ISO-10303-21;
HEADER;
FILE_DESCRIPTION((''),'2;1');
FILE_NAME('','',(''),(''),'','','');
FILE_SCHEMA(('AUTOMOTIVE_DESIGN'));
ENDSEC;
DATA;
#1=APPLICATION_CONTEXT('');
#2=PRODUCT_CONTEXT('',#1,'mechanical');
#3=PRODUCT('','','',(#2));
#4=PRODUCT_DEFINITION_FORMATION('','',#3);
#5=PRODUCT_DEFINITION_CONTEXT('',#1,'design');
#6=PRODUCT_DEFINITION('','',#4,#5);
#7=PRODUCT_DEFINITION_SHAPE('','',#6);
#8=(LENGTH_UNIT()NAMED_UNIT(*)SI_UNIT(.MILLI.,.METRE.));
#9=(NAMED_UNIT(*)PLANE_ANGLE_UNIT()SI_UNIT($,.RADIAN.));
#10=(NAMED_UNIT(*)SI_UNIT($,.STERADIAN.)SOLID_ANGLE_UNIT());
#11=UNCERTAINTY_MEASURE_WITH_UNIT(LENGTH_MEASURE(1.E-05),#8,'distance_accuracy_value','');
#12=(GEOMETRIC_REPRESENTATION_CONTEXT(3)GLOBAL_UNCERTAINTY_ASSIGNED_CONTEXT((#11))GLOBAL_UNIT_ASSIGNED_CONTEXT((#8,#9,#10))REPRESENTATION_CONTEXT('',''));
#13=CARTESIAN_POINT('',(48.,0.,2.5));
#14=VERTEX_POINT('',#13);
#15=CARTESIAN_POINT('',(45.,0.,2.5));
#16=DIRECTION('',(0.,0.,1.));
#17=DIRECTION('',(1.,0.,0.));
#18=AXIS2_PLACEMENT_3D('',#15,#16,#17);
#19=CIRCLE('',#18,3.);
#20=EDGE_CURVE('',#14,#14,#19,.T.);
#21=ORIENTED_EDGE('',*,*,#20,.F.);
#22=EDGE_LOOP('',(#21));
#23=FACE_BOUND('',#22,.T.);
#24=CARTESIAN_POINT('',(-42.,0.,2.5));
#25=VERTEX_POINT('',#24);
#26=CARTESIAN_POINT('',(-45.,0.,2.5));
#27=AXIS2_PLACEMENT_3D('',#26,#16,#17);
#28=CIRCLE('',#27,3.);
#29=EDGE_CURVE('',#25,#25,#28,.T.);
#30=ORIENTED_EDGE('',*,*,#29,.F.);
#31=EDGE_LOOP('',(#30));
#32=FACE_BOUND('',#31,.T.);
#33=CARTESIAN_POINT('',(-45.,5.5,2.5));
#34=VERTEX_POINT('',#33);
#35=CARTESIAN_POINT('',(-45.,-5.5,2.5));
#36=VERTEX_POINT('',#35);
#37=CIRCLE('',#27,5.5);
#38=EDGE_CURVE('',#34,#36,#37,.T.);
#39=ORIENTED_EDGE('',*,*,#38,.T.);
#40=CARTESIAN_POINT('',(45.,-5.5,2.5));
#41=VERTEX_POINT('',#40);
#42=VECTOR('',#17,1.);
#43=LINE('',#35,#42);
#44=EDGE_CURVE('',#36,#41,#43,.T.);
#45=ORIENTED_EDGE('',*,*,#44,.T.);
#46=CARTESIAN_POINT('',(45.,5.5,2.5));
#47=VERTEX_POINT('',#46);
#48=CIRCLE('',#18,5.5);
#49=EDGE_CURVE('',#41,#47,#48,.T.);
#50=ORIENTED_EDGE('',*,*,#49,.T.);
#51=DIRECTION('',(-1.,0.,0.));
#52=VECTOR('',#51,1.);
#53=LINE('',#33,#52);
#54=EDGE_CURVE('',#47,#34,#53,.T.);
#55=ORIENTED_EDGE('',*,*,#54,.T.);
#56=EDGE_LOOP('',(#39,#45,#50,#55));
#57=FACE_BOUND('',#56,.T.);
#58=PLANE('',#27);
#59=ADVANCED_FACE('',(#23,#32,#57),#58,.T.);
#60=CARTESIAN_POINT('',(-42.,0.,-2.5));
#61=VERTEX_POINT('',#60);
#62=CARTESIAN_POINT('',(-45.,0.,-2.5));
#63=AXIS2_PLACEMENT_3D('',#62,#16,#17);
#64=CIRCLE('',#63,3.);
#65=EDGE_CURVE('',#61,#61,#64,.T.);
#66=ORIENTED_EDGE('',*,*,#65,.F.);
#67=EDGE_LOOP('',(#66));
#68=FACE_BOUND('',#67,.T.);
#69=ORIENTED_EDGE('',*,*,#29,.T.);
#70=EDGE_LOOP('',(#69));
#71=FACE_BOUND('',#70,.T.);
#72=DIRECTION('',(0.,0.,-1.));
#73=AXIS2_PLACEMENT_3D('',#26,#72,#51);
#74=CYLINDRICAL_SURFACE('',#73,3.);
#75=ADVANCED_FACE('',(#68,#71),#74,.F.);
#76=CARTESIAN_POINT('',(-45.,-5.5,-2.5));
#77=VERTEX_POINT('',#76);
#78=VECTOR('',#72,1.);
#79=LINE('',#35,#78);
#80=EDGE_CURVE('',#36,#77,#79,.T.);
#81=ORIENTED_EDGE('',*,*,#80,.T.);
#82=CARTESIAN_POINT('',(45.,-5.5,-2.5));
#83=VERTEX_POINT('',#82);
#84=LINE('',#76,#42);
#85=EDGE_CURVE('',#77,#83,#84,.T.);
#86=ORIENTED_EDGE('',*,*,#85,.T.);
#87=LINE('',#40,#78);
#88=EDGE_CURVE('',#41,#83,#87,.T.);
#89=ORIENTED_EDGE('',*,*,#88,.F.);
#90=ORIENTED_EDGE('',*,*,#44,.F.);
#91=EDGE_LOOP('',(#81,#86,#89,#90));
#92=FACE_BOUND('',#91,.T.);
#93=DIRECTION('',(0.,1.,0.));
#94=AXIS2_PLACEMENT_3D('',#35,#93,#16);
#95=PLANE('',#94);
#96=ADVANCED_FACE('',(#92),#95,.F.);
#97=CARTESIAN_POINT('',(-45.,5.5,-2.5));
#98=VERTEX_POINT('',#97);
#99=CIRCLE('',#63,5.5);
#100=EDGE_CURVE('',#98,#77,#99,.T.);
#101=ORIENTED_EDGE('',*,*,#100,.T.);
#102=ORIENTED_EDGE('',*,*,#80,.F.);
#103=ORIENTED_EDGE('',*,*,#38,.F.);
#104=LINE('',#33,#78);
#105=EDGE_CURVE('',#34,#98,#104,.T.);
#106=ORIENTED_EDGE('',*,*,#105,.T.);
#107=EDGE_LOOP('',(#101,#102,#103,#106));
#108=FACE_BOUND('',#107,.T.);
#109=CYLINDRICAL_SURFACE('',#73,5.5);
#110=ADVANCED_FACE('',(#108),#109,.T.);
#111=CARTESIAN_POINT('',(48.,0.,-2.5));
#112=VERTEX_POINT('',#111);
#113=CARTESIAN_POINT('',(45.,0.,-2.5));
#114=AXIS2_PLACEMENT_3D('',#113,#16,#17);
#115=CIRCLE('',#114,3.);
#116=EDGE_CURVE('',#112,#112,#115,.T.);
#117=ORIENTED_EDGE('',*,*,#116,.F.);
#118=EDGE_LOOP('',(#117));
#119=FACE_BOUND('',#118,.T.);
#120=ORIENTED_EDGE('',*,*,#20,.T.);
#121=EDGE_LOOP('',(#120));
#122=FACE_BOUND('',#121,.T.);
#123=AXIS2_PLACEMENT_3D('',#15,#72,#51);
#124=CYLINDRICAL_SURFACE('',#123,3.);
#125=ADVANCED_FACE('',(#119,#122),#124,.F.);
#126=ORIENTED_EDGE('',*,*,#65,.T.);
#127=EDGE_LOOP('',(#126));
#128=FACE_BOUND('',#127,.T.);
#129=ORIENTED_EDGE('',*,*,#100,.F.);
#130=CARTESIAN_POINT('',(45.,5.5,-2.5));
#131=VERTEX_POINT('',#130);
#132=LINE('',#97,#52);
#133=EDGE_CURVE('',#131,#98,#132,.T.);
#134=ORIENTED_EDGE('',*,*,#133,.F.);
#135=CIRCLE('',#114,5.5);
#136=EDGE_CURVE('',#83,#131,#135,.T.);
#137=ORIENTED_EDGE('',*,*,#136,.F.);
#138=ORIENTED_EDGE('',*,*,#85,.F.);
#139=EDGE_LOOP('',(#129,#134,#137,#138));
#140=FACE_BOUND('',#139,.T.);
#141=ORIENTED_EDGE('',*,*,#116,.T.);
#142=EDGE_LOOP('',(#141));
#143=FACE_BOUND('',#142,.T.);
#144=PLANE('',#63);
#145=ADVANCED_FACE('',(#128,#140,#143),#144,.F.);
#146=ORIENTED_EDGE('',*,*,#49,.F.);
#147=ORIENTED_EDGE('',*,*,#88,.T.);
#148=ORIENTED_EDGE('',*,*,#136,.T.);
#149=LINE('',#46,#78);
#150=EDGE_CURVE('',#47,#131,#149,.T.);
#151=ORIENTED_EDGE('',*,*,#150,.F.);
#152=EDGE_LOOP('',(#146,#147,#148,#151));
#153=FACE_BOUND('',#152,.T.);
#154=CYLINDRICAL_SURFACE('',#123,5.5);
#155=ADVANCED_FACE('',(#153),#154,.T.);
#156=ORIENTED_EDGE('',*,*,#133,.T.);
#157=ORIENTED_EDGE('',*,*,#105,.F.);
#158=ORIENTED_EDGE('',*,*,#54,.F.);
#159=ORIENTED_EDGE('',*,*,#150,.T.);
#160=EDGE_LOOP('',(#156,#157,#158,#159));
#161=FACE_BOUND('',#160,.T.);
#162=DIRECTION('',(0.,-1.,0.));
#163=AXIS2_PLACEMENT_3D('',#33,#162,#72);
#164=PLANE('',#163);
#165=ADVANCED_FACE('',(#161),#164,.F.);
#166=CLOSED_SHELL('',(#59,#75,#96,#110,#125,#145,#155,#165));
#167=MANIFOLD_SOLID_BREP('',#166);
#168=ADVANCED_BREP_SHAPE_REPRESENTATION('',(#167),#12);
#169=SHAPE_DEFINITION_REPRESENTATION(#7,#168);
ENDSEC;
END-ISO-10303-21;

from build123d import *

# Parameters (mm, degrees)
SKETCH1_R           = 3
BOSS_EXTRUDE1_DEPTH = 2.5


with BuildPart() as part:
    # Sketch1 → Boss-Extrude1 (new body, symmetric)
    with BuildSketch(Plane.XY):
        with BuildLine():
            Line((-45, 5.5), (45, 5.5))
            ThreePointArc((45, 5.5), (50.5, 0), (45, -5.5))
            Line((45, -5.5), (-45, -5.5))
            ThreePointArc((-45, -5.5), (-50.5, 0), (-45, 5.5))
        make_face()
        with Locations((-45, 0)):
            Circle(SKETCH1_R, mode=Mode.SUBTRACT)
        with Locations((45, 0)):
            Circle(SKETCH1_R, mode=Mode.SUBTRACT)
    extrude(amount=BOSS_EXTRUDE1_DEPTH, both=True)


solid = part.part
